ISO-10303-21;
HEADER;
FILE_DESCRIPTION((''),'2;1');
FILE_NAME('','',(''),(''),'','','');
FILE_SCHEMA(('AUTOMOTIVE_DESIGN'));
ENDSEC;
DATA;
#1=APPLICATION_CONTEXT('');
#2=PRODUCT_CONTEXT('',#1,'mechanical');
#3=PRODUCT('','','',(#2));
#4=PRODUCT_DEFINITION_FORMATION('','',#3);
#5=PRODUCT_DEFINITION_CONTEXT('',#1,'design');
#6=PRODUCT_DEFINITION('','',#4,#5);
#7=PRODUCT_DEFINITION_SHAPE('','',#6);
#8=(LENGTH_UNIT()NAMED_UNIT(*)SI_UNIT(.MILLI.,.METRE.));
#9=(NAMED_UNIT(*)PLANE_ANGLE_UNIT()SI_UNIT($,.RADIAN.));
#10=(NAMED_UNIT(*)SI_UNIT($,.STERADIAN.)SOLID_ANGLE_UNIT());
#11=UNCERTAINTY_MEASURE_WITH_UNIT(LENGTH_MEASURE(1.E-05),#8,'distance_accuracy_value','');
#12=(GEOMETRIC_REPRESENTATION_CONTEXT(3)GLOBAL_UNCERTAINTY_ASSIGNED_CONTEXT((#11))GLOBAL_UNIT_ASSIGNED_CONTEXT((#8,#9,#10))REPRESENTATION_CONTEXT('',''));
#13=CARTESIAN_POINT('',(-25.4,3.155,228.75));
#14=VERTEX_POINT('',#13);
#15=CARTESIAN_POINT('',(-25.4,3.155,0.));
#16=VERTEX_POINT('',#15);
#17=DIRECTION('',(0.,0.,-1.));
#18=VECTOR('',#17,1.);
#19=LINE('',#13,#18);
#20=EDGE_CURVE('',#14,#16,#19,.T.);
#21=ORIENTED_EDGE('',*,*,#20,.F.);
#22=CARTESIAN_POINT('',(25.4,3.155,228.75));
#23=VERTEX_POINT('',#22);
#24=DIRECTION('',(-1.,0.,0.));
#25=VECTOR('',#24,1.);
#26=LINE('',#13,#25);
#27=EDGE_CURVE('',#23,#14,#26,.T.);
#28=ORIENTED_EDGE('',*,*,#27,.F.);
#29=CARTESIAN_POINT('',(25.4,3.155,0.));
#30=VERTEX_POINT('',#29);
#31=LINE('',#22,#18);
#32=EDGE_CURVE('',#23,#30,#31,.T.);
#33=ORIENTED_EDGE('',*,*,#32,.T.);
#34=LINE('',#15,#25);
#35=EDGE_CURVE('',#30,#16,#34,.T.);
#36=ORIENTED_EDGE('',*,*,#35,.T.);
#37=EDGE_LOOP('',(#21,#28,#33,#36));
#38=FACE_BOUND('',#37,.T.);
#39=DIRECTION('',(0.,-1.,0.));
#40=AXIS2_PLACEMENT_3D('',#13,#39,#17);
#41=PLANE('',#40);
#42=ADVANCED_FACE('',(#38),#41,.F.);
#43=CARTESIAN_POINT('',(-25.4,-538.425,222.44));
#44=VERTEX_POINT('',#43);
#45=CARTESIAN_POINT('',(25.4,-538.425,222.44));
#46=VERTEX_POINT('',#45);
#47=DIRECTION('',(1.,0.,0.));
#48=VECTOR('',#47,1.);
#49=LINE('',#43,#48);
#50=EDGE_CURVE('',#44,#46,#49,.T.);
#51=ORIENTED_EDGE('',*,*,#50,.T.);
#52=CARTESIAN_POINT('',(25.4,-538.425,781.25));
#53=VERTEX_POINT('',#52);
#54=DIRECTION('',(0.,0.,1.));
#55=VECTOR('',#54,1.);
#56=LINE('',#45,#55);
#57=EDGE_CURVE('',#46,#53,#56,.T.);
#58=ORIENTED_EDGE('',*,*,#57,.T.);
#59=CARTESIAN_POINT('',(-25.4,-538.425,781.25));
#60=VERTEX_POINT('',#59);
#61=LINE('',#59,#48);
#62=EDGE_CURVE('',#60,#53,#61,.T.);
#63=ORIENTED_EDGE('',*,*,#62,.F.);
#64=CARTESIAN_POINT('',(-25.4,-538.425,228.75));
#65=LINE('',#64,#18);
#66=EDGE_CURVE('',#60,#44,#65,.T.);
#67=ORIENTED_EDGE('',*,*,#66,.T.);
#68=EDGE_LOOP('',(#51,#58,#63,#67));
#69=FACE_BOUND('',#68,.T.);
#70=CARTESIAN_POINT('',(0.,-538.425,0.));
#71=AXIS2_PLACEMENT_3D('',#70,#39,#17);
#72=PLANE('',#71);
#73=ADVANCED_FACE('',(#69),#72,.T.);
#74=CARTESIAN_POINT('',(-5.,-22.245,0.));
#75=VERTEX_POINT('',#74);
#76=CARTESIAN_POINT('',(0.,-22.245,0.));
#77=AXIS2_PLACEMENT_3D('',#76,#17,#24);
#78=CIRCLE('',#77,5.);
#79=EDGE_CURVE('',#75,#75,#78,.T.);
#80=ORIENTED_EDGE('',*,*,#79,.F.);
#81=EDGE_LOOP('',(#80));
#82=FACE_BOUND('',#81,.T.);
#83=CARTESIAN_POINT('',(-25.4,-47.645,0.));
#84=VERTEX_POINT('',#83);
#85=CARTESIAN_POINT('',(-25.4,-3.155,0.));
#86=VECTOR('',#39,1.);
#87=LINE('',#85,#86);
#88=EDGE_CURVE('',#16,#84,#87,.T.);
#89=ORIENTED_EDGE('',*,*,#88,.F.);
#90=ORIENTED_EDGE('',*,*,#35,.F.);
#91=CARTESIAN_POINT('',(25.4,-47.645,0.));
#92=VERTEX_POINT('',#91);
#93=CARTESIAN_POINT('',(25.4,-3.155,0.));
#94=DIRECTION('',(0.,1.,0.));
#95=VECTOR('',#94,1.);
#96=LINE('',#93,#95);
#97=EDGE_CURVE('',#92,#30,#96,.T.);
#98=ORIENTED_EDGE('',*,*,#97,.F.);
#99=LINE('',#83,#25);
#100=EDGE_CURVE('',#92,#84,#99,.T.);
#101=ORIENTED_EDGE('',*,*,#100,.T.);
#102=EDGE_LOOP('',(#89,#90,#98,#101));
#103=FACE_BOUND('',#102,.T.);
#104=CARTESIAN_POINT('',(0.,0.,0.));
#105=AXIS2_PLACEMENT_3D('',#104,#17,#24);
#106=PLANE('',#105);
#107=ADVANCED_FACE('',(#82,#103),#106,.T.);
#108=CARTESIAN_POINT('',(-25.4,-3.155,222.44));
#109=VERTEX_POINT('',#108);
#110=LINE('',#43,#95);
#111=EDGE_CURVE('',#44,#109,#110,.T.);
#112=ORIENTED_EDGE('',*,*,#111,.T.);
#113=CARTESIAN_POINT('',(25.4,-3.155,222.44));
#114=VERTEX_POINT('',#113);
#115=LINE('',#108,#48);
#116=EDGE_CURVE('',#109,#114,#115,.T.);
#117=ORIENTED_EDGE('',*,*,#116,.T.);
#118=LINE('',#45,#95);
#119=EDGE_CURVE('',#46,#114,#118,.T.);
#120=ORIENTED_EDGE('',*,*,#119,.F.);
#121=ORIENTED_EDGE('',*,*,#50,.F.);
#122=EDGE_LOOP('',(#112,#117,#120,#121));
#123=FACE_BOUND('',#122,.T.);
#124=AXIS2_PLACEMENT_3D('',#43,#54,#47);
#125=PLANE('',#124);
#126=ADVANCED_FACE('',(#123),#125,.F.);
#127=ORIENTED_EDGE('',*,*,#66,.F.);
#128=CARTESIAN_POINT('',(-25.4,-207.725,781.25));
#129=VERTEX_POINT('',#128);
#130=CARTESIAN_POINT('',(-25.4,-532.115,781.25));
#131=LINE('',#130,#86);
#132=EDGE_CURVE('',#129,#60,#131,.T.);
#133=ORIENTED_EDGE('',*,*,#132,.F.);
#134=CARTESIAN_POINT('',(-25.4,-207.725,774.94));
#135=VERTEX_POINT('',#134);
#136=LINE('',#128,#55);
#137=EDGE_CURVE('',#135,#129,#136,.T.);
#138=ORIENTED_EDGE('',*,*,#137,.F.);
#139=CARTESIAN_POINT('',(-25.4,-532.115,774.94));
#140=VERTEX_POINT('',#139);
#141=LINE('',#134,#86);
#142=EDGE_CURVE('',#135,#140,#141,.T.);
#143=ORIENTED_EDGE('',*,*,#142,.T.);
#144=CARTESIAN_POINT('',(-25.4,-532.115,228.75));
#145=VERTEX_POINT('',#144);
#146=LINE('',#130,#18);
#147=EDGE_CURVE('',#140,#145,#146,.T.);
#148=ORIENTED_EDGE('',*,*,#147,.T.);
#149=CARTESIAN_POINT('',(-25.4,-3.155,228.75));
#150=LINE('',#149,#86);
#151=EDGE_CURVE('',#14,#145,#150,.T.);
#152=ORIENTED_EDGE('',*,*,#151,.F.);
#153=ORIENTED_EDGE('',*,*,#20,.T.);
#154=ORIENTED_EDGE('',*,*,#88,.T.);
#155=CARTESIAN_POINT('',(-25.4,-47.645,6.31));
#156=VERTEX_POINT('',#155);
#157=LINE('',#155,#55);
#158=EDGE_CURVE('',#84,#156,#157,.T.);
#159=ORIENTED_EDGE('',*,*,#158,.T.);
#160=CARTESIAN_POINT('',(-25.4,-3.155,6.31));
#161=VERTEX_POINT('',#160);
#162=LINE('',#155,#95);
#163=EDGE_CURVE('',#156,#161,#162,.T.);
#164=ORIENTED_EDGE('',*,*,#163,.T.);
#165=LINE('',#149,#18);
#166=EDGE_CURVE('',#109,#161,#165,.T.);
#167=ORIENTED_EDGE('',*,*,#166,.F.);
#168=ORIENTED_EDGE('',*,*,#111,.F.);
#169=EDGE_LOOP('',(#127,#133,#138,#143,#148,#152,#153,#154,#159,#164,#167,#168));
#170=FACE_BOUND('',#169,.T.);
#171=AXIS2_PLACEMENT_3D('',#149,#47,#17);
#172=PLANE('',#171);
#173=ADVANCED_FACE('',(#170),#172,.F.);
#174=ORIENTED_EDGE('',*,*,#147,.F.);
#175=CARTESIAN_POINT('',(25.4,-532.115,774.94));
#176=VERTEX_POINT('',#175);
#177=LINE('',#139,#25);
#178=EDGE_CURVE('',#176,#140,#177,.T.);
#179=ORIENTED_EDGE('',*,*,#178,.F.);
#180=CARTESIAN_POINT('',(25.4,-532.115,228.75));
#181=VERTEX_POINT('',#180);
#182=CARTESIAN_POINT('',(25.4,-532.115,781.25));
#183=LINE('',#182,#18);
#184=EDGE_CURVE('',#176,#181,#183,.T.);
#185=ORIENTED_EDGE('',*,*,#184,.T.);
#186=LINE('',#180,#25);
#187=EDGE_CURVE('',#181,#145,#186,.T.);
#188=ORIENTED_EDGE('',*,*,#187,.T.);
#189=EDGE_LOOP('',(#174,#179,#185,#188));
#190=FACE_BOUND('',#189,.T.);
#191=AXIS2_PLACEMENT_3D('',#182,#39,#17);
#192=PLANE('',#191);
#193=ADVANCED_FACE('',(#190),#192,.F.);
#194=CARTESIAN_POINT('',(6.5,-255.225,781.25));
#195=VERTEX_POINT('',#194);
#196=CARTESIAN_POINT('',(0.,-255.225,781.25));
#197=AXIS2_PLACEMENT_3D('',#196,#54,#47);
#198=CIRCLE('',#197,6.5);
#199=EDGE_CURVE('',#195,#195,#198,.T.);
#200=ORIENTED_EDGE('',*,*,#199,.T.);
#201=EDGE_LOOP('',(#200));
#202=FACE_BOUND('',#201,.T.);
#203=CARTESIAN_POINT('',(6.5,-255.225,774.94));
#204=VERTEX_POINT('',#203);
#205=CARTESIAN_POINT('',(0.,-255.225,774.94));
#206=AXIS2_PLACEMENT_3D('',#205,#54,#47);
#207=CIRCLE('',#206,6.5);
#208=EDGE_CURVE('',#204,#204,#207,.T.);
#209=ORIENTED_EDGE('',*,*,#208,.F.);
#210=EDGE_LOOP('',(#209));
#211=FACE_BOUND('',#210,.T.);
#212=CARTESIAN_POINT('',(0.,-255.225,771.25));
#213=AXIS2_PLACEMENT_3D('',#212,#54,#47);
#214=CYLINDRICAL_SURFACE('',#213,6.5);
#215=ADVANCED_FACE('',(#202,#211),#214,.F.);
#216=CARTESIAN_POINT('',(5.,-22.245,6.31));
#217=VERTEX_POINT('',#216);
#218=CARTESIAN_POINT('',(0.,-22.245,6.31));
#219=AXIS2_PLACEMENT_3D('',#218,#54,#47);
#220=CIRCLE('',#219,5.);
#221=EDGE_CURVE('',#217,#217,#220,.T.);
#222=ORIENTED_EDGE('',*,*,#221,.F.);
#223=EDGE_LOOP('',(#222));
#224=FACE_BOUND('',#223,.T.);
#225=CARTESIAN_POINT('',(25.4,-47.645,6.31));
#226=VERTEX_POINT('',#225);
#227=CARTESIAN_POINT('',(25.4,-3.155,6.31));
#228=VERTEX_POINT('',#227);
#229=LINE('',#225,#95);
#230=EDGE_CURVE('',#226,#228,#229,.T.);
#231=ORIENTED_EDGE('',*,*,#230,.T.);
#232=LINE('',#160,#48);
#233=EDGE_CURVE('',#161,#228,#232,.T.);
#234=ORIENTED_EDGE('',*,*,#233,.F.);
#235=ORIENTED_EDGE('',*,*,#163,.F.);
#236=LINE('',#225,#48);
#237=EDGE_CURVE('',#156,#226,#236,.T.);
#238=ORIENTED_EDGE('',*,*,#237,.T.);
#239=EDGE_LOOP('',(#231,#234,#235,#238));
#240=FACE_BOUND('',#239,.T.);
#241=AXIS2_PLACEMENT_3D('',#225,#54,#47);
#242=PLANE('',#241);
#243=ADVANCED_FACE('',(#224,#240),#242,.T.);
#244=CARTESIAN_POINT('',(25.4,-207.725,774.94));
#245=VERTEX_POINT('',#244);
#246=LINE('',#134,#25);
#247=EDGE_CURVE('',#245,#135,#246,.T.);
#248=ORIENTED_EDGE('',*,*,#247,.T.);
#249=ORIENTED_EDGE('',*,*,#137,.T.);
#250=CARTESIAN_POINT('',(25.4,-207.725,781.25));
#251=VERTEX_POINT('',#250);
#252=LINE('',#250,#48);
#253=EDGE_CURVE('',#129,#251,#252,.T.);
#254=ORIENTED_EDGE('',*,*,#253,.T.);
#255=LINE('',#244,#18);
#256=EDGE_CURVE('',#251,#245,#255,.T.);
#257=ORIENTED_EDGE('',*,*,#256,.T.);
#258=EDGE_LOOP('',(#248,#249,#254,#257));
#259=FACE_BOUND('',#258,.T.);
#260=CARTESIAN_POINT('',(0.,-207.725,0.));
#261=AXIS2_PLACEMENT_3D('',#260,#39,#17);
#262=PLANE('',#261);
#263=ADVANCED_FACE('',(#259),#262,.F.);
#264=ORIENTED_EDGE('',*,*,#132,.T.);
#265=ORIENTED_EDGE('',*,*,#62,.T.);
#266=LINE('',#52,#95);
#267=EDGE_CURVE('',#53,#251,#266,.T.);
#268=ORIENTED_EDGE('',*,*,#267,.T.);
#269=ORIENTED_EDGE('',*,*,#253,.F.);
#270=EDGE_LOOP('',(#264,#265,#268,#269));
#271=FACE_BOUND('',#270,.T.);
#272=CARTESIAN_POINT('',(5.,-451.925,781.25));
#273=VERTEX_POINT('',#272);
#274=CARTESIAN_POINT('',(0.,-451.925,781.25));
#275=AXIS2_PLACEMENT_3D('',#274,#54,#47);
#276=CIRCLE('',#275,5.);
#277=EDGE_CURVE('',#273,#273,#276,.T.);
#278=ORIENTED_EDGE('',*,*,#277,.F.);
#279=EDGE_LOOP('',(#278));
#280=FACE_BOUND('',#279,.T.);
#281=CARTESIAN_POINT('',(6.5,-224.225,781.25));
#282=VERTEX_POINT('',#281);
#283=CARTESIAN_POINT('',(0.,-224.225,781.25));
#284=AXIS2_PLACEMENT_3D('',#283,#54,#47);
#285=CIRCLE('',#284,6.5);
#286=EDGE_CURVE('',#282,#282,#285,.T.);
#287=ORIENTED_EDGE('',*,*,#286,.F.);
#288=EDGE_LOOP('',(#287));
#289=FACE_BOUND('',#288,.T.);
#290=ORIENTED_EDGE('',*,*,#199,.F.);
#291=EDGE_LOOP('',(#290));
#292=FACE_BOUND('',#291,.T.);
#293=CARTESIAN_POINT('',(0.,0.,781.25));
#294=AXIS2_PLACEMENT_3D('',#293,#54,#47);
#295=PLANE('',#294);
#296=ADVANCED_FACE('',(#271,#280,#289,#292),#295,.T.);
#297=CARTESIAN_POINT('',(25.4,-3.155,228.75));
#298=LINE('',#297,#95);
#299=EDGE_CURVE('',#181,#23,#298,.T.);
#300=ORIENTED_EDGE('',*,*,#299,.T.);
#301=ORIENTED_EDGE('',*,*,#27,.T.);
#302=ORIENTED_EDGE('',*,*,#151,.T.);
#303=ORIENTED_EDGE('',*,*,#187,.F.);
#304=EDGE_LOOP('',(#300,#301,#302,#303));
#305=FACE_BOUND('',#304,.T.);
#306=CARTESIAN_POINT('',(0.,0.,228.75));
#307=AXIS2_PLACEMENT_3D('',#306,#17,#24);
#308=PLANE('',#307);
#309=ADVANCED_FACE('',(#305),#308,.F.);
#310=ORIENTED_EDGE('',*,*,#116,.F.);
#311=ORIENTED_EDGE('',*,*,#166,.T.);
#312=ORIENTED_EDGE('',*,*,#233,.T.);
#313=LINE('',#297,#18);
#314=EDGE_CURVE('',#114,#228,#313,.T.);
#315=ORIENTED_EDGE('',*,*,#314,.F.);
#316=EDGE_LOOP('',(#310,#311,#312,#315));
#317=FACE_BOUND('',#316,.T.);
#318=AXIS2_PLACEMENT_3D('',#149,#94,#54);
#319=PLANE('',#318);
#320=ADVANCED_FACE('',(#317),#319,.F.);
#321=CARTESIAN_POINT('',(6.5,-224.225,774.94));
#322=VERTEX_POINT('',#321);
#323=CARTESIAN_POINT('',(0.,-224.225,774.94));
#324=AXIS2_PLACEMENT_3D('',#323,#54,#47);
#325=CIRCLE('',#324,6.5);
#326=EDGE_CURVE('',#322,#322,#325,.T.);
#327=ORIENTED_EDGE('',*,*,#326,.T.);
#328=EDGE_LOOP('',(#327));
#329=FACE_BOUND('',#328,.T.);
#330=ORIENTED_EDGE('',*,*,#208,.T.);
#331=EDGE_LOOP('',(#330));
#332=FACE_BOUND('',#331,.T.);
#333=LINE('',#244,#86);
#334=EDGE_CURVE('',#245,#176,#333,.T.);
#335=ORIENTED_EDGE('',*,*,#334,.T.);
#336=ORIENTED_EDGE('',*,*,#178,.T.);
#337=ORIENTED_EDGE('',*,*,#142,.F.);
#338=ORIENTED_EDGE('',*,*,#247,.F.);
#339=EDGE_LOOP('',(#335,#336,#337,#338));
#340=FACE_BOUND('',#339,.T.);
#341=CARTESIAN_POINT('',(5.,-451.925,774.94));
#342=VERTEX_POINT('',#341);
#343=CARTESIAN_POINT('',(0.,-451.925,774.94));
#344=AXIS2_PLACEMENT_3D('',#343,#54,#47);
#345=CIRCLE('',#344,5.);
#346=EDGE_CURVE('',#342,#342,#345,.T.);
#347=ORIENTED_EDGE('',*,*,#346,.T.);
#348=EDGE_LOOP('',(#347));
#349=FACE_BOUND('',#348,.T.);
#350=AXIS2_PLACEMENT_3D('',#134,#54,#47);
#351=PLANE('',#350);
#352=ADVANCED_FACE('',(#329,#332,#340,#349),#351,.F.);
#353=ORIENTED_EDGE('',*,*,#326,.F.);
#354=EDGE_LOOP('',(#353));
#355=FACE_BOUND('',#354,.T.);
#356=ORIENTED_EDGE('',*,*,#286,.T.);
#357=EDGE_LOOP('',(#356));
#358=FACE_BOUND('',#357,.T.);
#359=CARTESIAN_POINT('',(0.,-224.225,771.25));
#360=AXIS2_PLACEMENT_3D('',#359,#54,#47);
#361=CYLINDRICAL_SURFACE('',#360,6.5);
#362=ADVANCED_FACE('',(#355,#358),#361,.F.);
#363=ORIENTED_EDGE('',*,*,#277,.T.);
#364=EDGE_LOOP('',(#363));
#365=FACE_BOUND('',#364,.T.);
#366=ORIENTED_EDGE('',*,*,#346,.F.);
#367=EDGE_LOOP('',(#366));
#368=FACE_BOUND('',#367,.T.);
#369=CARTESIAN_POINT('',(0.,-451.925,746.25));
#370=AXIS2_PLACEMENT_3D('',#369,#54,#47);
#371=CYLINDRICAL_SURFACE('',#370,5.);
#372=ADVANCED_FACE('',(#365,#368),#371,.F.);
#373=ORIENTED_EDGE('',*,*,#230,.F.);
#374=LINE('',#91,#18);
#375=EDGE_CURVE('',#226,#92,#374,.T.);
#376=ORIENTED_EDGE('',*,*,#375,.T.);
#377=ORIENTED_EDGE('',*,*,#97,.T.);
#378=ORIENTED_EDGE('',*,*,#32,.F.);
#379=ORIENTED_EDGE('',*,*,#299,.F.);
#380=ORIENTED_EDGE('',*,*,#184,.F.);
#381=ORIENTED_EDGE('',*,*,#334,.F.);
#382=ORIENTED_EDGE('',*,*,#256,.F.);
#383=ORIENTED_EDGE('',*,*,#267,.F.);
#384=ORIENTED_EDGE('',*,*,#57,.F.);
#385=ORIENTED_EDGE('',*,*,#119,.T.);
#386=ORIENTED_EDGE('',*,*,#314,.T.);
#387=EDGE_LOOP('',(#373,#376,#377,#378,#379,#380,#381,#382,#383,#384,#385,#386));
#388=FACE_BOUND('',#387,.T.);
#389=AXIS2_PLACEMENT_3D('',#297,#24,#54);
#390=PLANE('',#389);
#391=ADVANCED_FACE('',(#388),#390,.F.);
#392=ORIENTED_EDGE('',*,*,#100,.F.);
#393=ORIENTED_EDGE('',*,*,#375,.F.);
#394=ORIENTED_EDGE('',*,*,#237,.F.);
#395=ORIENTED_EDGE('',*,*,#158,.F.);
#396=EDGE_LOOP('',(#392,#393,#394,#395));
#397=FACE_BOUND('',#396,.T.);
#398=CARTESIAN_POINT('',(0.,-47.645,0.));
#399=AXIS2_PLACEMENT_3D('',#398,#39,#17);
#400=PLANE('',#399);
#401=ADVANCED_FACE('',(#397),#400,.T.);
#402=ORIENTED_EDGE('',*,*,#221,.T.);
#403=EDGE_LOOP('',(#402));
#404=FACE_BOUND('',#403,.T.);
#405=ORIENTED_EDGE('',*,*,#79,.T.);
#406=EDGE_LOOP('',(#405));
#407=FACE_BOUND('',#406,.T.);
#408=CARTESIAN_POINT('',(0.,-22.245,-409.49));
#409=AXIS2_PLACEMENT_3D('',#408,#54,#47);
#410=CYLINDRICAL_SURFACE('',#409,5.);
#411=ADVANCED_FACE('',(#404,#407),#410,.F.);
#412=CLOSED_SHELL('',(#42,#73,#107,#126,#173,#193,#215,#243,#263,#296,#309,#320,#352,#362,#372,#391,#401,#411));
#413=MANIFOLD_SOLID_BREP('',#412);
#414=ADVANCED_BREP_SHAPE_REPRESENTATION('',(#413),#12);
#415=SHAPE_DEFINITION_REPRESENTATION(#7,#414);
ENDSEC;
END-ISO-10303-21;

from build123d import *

# Parameters (mm, degrees)
CROQUIS1_W              = 50.8
CROQUIS1_H              = 6.31
SALIENTE_EXTRUIR1_DEPTH = 228.75
CROQUIS2_W              = 50.8
CROQUIS2_H              = 6.31
SALIENTE_EXTRUIR2_DEPTH = 535.27
CROQUIS3_W              = 50.8
CROQUIS3_H              = 6.31
SALIENTE_EXTRUIR3_DEPTH = 552.5
CROQUIS4_W              = 50.8
CROQUIS4_H              = 6.31
SALIENTE_EXTRUIR4_DEPTH = 324.39
CROQUIS5_W              = 50.8
CROQUIS5_H              = 6.31
SALIENTE_EXTRUIR5_DEPTH = 50.8
CROQUIS7_R              = 5
CORTAR_EXTRUIR2_DEPTH   = 415.8
CROQUIS8_R              = 6.5
CORTAR_EXTRUIR3_DEPTH   = 10
CROQUIS9_R              = 5
CORTAR_EXTRUIR4_DEPTH   = 35


with BuildPart() as part:
    # Croquis1 → Saliente-Extruir1 (new body)
    with BuildSketch(Plane.XY):
        Rectangle(CROQUIS1_W, CROQUIS1_H)
    extrude(amount=SALIENTE_EXTRUIR1_DEPTH)

    # Croquis2 → Saliente-Extruir2 (add)
    with BuildSketch(Plane.XZ.offset(3.155)):
        with Locations((0, 225.595)):
            Rectangle(CROQUIS2_W, CROQUIS2_H)
    extrude(amount=SALIENTE_EXTRUIR2_DEPTH)

    # Croquis3 → Saliente-Extruir3 (add)
    with BuildSketch(Plane.XY.offset(228.75)):
        with Locations((0, -535.27)):
            Rectangle(CROQUIS3_W, CROQUIS3_H)
    extrude(amount=SALIENTE_EXTRUIR3_DEPTH)

    # Croquis4 → Saliente-Extruir4 (add)
    with BuildSketch(Plane(origin=(0, -532.115, 0), x_dir=(1, 0, 0), z_dir=(0, 1, 0))):
        with Locations((0, -778.095)):
            Rectangle(CROQUIS4_W, CROQUIS4_H)
    extrude(amount=SALIENTE_EXTRUIR4_DEPTH)

    # Croquis5 → Saliente-Extruir5 (add)
    with BuildSketch(Plane(origin=(0, 3.155, 0), x_dir=(1, 0, 0), z_dir=(0, 1, 0))):
        with Locations((0, -3.155)):
            Rectangle(CROQUIS5_W, CROQUIS5_H)
    extrude(amount=-SALIENTE_EXTRUIR5_DEPTH)

    # Croquis7 → Cortar-Extruir2 (cut)
    with BuildSketch(Plane.XY.offset(6.31)):
        with Locations((0, -22.245)):
            Circle(CROQUIS7_R)
    extrude(amount=-CORTAR_EXTRUIR2_DEPTH, mode=Mode.SUBTRACT)

    # Croquis8 → Cortar-Extruir3 (cut)
    with BuildSketch(Plane.XY.offset(781.25)):
        with Locations((0, -224.225)):
            Circle(CROQUIS8_R)
        with Locations((0, -255.225)):
            Circle(CROQUIS8_R)
    extrude(amount=-CORTAR_EXTRUIR3_DEPTH, mode=Mode.SUBTRACT)

    # Croquis9 → Cortar-Extruir4 (cut)
    with BuildSketch(Plane.XY.offset(781.25)):
        with Locations((0, -451.925)):
            Circle(CROQUIS9_R)
    extrude(amount=-CORTAR_EXTRUIR4_DEPTH, mode=Mode.SUBTRACT)


solid = part.part
